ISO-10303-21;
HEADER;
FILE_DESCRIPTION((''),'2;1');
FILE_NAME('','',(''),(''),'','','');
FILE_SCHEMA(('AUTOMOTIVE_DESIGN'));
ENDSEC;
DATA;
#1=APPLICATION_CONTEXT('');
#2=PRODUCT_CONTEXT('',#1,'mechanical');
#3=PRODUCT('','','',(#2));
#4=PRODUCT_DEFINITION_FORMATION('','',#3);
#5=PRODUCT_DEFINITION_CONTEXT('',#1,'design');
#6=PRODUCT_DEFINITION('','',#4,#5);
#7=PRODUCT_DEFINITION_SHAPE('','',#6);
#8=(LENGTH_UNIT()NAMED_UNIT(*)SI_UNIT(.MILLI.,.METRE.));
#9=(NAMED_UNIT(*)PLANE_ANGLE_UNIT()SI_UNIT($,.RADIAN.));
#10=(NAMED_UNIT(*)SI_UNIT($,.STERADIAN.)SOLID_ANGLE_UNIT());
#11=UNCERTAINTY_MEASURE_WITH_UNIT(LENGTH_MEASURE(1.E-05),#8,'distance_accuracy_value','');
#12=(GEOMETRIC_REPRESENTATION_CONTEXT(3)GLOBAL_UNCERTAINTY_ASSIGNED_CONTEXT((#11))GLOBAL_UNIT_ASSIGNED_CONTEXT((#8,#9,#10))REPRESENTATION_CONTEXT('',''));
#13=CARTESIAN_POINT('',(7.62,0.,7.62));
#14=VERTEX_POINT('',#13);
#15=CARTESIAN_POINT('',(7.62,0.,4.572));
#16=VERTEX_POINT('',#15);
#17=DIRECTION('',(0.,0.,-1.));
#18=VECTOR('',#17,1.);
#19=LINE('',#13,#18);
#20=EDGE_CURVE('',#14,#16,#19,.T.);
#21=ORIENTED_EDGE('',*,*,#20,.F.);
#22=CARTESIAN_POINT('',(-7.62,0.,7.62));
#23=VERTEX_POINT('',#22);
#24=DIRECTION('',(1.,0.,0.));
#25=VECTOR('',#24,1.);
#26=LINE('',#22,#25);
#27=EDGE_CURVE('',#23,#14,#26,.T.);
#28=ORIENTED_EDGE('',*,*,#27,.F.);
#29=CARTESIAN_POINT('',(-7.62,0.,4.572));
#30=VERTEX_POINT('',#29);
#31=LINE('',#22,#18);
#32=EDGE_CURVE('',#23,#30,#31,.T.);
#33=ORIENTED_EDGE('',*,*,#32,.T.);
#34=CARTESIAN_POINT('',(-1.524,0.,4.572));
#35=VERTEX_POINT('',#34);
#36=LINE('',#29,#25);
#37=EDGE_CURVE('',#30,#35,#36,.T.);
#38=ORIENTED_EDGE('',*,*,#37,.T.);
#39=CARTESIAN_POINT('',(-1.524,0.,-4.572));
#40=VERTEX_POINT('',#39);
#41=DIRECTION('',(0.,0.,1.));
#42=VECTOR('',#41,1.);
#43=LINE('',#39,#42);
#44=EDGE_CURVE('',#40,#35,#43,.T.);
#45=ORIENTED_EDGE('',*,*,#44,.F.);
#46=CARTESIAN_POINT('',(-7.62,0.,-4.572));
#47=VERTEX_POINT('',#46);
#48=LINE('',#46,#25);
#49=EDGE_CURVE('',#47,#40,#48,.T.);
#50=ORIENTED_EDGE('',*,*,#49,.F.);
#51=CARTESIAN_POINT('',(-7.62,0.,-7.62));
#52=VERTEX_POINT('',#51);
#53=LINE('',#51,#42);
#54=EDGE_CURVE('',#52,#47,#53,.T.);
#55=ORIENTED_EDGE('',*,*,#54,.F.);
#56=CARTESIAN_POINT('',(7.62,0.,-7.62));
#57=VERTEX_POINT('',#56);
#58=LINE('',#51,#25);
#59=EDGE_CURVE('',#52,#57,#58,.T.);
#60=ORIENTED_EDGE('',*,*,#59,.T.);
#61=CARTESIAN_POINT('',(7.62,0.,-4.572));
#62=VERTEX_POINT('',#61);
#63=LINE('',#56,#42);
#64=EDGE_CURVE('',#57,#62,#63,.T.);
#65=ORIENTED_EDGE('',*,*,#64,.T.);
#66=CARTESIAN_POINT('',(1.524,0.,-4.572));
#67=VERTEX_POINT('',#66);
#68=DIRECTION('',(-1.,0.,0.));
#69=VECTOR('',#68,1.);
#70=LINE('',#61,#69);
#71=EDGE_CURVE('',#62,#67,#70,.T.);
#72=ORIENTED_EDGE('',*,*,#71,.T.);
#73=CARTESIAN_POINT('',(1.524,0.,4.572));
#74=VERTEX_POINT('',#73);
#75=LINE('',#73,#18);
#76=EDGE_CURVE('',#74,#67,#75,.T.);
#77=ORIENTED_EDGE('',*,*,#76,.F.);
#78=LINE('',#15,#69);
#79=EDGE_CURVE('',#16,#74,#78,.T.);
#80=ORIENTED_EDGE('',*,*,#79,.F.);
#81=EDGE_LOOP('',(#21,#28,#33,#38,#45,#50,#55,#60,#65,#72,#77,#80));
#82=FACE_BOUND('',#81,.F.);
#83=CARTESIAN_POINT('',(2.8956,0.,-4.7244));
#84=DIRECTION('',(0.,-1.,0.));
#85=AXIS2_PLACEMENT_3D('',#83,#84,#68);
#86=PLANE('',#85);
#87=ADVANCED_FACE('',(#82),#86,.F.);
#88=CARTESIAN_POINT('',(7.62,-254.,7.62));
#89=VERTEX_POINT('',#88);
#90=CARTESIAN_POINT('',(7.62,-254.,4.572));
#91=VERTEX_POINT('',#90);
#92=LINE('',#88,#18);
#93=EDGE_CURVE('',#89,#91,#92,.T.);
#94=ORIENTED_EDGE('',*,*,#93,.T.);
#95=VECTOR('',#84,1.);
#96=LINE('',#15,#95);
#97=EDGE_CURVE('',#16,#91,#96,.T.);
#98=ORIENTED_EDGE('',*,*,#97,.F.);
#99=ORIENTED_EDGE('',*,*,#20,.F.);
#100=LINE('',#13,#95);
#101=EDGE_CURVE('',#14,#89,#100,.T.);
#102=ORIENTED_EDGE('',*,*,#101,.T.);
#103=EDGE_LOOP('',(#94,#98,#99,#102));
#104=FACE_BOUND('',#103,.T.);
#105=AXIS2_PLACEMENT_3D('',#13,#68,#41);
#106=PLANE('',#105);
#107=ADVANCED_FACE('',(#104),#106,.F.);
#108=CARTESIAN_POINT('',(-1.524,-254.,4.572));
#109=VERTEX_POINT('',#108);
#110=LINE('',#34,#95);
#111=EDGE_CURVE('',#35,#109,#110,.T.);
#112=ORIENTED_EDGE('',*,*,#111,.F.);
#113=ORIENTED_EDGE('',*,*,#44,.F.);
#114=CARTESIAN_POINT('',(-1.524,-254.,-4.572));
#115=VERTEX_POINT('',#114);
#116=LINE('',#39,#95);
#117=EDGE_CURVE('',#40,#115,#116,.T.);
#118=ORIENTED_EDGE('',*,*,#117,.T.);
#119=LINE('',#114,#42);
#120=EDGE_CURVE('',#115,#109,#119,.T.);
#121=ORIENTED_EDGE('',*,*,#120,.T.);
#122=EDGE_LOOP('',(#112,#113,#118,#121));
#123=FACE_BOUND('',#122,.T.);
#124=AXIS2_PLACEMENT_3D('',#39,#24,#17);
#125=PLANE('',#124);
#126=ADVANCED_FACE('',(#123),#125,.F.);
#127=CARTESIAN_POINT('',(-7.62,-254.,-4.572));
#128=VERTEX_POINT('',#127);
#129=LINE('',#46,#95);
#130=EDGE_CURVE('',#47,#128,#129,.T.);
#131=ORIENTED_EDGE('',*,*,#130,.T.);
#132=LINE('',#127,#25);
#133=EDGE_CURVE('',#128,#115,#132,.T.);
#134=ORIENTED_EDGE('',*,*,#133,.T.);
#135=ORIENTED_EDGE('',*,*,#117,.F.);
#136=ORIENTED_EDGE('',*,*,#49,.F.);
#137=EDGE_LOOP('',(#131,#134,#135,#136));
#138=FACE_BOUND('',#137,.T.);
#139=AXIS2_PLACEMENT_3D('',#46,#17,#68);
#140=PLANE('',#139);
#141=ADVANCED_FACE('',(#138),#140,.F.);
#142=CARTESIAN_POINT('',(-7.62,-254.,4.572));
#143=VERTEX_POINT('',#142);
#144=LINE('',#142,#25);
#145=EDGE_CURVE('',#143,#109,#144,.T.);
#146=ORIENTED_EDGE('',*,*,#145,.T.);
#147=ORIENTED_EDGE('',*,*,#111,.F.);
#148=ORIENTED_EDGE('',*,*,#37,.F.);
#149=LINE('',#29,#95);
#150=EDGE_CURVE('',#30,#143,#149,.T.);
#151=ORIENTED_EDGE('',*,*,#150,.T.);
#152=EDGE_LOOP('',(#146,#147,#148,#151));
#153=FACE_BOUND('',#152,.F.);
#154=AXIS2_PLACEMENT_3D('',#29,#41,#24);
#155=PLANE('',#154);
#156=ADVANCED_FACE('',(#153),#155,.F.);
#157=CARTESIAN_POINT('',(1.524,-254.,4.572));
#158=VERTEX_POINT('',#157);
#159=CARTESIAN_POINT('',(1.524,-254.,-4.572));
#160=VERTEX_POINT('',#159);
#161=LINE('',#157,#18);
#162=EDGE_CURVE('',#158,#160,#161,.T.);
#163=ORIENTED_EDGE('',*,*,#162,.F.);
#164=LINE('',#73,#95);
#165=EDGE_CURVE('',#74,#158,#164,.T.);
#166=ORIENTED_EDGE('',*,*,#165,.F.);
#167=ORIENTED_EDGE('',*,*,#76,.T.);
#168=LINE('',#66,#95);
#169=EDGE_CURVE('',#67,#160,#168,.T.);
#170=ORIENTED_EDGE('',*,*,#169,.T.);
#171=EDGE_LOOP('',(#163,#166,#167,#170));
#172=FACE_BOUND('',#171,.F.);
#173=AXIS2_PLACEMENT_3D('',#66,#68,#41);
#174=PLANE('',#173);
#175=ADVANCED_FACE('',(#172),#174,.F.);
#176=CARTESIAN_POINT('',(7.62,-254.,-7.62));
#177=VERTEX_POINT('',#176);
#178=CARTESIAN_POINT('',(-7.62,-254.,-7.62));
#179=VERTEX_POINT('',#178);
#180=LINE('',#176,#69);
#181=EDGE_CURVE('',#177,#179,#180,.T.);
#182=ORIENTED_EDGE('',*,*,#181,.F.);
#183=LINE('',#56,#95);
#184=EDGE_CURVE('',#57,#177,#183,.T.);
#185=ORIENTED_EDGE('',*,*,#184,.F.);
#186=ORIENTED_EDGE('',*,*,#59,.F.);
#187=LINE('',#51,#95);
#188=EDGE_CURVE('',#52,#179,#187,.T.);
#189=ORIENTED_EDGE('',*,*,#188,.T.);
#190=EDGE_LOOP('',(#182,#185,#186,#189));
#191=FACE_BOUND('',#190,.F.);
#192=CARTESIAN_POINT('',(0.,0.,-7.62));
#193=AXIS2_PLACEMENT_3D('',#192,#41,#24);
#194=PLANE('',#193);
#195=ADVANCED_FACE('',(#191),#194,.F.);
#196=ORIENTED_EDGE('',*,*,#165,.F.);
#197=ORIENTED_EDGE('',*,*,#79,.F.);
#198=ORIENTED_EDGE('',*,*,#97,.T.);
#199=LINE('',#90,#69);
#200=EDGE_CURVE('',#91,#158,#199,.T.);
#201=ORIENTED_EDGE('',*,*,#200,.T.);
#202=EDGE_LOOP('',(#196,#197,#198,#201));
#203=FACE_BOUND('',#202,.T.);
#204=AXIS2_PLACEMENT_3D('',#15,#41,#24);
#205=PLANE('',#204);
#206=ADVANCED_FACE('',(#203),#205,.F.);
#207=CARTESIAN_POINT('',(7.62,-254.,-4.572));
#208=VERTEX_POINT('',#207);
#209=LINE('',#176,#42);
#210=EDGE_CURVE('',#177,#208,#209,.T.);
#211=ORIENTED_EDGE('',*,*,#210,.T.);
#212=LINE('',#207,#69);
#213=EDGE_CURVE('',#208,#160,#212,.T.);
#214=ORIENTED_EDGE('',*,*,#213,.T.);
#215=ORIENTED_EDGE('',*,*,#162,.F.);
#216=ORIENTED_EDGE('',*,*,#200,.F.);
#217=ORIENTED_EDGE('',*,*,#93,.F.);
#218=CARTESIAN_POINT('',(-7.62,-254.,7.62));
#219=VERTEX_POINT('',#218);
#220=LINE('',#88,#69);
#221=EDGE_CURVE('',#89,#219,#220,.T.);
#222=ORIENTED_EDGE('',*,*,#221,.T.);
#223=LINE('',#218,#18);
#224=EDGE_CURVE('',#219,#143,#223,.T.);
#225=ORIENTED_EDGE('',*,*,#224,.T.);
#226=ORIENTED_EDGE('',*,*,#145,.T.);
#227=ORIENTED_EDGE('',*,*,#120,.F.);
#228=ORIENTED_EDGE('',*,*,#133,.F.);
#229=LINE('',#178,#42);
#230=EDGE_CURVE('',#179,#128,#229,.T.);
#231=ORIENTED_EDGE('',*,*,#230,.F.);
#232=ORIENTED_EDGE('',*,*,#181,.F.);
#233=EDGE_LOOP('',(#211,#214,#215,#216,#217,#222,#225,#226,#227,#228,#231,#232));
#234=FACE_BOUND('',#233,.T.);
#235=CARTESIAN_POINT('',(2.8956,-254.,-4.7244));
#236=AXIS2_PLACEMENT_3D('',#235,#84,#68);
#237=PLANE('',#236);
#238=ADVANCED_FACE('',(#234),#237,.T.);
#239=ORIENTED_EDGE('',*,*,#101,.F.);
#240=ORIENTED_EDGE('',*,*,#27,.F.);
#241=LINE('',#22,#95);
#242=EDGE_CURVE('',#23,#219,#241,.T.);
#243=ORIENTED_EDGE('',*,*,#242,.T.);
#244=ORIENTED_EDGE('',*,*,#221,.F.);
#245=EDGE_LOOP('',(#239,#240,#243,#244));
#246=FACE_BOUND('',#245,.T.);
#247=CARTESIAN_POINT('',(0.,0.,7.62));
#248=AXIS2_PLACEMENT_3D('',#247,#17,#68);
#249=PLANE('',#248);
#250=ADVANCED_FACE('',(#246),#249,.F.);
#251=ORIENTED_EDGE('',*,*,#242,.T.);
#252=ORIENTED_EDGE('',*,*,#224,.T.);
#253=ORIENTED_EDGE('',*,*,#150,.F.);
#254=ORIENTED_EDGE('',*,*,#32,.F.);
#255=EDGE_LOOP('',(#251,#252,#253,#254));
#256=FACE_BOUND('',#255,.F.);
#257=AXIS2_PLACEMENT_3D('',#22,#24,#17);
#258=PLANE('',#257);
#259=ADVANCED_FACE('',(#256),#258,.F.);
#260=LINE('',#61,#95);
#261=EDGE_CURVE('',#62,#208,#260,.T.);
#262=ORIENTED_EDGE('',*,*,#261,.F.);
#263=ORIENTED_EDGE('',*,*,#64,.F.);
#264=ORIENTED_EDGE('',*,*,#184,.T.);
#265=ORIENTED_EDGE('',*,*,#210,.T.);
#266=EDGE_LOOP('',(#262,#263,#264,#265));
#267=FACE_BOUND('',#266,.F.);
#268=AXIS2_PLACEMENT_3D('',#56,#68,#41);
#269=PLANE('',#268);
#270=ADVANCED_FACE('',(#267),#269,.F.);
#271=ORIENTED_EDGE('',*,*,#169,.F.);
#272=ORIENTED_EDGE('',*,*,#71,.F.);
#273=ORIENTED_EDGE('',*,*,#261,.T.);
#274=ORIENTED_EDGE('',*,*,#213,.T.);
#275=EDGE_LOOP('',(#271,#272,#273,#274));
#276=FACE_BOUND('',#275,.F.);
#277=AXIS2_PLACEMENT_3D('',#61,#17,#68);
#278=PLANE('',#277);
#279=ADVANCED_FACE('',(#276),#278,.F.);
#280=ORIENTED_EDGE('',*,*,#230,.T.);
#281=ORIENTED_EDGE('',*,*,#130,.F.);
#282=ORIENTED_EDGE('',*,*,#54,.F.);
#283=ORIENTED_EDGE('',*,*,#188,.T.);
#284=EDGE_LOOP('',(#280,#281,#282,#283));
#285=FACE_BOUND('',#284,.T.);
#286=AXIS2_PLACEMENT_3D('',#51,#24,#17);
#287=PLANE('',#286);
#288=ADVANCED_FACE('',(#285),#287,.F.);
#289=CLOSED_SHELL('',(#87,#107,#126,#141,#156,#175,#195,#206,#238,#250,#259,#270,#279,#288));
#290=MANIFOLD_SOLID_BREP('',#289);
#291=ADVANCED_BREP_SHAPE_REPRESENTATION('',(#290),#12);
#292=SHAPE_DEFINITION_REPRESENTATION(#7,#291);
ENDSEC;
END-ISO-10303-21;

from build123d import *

# Parameters (mm, degrees)
F1_DEPTH = 254


with BuildPart() as f1:
    # F0 (on Front) → F1 (new body)
    with BuildSketch(Plane.XZ):
        Polygon((-1.524, 0), (0, 0), (0, 7.62), (-7.62, 7.62), (-7.62, 4.572), (-1.524, 4.572), align=None)
    extrude(amount=F1_DEPTH)

    # F2: F1 across face


with BuildPart() as f1_1:
    add(f1.part)
    add(f1.part.mirror(Plane(origin=(0, -127, 3.81), x_dir=(0, 1, 0), z_dir=(1, 0, 0))))

    # F3: F1 across face


with BuildPart() as f1_2:
    add(f1_1.part)
    add(f1_1.part.mirror(Plane(origin=(0, -127, 0), x_dir=(1, 0, 0), z_dir=(0, 0, -1))))


solid = f1_2.part
